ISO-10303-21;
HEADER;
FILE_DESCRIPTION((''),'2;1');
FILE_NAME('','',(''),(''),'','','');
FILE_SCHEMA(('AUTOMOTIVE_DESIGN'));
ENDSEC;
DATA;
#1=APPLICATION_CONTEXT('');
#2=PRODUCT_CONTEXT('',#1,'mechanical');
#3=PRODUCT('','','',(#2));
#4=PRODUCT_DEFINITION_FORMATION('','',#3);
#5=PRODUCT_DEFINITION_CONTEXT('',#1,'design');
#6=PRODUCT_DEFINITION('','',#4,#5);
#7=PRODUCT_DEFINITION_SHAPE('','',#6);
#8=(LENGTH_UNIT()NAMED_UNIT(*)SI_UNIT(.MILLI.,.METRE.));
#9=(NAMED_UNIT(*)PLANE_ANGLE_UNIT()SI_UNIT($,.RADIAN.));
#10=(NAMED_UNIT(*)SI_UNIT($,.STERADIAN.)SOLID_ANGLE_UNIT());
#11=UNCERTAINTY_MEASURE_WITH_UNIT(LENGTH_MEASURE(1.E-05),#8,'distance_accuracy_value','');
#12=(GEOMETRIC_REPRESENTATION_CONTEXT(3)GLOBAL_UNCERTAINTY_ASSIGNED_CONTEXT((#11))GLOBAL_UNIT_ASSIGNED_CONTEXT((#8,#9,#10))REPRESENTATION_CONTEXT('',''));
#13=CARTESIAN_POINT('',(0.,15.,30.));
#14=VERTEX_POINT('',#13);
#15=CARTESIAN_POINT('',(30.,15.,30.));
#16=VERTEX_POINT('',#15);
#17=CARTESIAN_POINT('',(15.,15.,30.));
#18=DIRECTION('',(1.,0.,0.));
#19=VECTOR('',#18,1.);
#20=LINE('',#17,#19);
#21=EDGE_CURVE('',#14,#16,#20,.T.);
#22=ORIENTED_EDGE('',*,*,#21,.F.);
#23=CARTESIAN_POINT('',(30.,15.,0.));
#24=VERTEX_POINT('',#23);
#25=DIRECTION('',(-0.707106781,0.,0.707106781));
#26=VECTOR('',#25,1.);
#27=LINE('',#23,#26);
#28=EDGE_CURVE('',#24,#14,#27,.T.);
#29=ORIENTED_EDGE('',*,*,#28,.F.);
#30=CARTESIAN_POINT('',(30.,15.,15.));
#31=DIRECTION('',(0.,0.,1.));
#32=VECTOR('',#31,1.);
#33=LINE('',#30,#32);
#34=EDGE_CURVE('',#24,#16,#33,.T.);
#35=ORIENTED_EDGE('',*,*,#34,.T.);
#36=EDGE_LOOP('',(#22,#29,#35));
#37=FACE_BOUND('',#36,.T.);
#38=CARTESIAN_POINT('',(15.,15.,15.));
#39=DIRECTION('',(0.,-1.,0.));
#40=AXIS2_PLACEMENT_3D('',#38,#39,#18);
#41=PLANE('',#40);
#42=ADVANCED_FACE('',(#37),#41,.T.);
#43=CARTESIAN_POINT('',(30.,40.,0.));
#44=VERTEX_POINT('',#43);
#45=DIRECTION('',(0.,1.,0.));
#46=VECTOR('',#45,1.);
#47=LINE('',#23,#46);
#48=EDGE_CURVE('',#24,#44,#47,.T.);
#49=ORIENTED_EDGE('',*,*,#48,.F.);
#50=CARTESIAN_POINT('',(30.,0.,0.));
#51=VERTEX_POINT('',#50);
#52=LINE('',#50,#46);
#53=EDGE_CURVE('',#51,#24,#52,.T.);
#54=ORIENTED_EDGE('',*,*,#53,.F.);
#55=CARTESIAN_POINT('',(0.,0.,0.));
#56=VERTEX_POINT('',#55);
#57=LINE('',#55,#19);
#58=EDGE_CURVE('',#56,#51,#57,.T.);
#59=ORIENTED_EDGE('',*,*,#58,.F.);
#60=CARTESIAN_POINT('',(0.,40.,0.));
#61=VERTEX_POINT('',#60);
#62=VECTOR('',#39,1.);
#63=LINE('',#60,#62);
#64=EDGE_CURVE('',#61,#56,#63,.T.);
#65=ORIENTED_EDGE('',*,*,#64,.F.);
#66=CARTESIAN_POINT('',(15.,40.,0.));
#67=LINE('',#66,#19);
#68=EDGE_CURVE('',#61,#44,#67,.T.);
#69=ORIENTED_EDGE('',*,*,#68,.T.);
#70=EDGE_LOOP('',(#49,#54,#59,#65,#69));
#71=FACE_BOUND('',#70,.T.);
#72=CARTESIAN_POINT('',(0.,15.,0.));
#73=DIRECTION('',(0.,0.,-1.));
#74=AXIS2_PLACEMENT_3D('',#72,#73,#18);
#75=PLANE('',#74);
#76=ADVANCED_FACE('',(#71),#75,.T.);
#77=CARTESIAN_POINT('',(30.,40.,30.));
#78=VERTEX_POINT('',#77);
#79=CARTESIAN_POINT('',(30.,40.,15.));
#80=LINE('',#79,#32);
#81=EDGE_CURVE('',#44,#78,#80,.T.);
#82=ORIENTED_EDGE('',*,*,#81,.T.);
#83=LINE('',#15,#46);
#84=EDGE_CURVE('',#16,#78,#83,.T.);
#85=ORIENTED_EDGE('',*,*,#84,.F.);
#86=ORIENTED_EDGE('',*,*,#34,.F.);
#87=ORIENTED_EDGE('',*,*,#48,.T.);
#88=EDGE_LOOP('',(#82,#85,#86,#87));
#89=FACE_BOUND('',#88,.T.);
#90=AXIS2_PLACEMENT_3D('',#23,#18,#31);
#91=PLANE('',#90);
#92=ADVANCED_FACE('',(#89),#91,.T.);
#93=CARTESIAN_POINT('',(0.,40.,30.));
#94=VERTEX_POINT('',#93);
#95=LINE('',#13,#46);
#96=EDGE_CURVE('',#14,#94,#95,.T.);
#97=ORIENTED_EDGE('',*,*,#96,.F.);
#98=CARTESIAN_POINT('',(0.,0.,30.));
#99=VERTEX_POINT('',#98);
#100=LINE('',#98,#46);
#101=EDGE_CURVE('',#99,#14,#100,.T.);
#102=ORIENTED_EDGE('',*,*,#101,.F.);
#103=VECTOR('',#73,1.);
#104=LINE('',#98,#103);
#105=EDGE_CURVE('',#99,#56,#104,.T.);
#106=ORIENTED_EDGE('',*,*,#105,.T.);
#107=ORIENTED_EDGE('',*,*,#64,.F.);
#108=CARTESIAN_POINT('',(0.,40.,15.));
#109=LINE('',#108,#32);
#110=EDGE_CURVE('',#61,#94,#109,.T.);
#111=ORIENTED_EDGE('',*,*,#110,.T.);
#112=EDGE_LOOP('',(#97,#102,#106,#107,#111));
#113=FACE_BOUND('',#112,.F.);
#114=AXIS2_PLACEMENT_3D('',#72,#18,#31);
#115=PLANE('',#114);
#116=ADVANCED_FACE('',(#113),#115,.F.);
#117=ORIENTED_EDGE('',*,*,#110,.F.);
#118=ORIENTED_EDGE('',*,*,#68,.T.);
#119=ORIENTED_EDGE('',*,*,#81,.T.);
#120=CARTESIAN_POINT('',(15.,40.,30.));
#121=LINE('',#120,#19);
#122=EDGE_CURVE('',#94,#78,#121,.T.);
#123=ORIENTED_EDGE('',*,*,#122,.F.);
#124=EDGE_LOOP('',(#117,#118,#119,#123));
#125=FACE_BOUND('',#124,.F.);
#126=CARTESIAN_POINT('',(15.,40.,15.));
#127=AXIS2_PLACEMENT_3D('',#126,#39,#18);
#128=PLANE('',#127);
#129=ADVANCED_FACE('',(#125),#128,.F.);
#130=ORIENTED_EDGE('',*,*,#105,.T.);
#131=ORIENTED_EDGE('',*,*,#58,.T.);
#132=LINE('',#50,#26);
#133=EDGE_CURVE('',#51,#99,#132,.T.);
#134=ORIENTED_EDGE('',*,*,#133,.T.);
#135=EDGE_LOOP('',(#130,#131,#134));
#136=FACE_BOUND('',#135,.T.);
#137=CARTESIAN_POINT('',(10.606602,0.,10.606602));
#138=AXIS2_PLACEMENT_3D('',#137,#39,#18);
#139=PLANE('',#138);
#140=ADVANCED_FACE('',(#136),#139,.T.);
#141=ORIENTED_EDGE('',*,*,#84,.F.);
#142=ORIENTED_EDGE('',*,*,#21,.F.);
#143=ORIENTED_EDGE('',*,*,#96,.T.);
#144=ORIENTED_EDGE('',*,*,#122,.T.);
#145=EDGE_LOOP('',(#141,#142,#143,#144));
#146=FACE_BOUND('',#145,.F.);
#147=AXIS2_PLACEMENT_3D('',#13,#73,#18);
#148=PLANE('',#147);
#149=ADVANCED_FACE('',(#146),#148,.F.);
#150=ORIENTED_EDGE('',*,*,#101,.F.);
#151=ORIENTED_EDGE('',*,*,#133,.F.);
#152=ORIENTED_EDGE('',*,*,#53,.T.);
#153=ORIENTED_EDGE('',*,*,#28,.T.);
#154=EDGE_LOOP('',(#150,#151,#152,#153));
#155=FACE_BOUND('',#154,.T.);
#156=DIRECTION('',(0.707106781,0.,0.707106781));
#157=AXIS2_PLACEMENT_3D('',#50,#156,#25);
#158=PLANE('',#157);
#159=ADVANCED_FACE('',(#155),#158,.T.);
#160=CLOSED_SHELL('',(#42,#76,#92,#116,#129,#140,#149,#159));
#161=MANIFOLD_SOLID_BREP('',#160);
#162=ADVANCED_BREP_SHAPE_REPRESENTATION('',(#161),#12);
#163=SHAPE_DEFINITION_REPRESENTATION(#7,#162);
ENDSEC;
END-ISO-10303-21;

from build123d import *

# Parameters (mm, degrees)
F1_DEPTH = 15
F3_W     = 30
F3_H     = 30
F4_DEPTH = 25


with BuildPart() as f1:
    # F0 (on Front) → F1 (new body)
    with BuildSketch(Plane.XZ):
        Polygon((0, 30), (0, 0), (30, 0), align=None)
    extrude(amount=-F1_DEPTH)

    # F3 (on offset) → F4 (join)
    with BuildSketch(Plane.XZ.offset(-15)):
        with Locations((15, 15)):
            Rectangle(F3_W, F3_H)
    extrude(amount=-F4_DEPTH)


solid = f1.part
